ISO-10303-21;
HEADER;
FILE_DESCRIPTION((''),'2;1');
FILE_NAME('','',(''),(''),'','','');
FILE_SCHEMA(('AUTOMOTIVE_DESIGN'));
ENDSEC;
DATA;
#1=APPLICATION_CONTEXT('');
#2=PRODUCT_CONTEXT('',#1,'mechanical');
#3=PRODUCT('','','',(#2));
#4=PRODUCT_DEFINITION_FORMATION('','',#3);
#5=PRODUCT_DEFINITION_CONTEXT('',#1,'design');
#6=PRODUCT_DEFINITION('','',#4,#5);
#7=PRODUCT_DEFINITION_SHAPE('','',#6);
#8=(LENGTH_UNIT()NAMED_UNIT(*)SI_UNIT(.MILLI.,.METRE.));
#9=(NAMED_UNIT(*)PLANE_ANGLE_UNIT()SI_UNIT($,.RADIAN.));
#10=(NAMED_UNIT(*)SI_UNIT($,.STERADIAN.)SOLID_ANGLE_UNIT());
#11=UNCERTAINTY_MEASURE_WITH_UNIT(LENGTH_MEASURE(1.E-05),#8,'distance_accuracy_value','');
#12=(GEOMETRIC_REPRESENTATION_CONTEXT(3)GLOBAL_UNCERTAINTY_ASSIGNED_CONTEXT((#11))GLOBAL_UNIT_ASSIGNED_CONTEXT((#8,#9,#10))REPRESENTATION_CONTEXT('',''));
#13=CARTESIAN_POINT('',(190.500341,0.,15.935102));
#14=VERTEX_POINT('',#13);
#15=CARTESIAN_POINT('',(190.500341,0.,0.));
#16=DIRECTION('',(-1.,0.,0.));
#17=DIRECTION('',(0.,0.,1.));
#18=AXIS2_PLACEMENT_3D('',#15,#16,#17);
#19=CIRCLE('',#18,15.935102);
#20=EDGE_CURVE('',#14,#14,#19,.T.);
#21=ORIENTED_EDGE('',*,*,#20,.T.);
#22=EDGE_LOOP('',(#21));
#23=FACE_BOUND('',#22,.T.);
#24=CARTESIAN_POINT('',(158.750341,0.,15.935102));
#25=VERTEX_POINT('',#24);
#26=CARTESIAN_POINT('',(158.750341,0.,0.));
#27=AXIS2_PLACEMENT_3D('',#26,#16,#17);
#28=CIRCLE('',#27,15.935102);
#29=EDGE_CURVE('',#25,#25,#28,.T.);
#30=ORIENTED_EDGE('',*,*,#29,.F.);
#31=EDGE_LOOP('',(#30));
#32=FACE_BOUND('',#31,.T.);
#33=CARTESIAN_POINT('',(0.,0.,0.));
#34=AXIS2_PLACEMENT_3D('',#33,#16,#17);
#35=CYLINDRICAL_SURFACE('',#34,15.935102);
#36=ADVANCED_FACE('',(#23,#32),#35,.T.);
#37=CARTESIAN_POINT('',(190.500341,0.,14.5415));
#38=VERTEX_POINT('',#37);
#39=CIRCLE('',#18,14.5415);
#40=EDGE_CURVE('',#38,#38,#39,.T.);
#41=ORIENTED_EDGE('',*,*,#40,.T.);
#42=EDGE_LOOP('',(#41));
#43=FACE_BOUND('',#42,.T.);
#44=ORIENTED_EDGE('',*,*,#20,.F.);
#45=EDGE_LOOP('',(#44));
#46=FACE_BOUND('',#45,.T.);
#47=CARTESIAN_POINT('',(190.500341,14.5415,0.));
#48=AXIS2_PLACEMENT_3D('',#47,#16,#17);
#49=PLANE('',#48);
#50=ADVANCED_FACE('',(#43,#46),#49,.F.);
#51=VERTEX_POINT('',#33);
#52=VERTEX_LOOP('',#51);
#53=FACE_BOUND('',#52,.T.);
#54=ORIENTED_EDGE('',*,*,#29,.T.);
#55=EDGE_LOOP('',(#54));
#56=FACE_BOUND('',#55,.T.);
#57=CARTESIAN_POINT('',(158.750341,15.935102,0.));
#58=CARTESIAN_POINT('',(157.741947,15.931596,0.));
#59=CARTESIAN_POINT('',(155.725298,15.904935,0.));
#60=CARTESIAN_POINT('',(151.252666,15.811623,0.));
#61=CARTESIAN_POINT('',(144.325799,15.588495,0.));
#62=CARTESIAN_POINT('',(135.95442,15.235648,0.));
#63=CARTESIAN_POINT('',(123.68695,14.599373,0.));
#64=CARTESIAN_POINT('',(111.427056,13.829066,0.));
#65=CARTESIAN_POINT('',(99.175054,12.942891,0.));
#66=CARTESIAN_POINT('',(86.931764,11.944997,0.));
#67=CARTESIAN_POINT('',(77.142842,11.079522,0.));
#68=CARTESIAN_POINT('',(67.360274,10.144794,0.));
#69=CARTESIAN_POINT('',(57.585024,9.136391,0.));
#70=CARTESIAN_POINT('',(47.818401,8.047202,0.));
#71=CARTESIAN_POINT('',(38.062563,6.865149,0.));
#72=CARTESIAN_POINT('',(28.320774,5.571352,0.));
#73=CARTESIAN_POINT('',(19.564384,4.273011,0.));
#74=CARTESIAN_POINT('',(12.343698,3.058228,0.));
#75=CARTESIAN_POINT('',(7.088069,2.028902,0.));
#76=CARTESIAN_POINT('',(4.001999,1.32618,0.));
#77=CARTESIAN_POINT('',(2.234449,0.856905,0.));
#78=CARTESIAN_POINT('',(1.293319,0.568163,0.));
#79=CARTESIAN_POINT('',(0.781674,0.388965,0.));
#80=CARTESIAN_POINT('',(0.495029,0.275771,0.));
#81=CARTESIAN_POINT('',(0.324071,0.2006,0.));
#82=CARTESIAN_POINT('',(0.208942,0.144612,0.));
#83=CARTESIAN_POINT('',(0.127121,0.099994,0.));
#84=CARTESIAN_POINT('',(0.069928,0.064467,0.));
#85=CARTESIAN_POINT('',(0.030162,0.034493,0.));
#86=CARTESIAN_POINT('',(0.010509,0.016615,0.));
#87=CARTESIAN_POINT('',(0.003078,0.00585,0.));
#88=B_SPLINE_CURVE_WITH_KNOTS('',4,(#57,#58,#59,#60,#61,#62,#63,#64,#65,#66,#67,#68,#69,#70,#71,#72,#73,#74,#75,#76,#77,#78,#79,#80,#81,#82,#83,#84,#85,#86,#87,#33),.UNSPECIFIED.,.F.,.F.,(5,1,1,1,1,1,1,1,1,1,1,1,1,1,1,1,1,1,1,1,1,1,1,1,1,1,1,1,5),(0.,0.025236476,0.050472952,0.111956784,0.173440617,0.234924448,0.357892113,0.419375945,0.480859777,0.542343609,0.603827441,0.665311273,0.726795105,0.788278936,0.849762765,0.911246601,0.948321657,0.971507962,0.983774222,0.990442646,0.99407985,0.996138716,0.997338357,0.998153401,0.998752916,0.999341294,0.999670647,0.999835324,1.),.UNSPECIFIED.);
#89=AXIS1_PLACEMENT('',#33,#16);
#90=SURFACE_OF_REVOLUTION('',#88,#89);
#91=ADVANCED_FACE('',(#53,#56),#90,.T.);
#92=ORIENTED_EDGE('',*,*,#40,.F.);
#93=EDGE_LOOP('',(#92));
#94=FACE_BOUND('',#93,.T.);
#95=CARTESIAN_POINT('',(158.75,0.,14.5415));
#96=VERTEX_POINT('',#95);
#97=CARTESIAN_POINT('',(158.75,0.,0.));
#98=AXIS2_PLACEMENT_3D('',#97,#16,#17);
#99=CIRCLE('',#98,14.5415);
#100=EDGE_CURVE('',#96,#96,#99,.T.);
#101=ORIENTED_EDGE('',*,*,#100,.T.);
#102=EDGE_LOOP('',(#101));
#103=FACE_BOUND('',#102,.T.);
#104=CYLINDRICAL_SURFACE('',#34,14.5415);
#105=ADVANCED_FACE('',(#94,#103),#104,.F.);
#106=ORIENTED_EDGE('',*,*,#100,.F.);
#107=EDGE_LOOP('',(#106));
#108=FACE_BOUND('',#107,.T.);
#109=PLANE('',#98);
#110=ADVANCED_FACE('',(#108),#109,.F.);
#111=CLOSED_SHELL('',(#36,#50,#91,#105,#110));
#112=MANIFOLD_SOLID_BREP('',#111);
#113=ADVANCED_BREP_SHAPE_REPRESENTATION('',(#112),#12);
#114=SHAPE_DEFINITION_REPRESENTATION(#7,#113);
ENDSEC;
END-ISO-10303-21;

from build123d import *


with BuildPart() as part:
    # Sketch1 → Revolve1 (revolve)
    with BuildSketch(Plane.XY, mode=Mode.PRIVATE) as revolve1_sk:
        with BuildLine():
            Line((158.750341169, 15.935101536), (190.500341169, 15.935101536))
            Line((190.500341169, 15.935101536), (190.500341169, 14.5415))
            Line((190.500341169, 14.5415), (158.75, 14.5415))
            Line((158.75, 14.5415), (158.75, 0))
            Line((158.75, 0), (0, 0))
            add(Edge.make_bspline(
                [(0, 0), (0.003077638, 0.0058499), (0.010509317, 0.016614544), (0.030161895, 0.034492806), (0.069928146, 0.064467314), (0.127121394, 0.09999399), (0.208942402, 0.144612334), (0.324070964, 0.200600292), (0.495029028, 0.275770881), (0.78167404, 0.388965164), (1.293318915, 0.568162571), (2.234449389, 0.85690485), (4.001999256, 1.326179808), (7.08806891, 2.028902418), (12.343697768, 3.058227955), (19.564383665, 4.273011321), (28.320773868, 5.571352366), (38.062563292, 6.865149329), (47.818401435, 8.047201508), (57.585024008, 9.136391169), (67.360274295, 10.144793971), (77.142842464, 11.079522482), (86.931764105, 11.944996551), (99.175054354, 12.942890853), (111.427056111, 13.829066152), (123.686950328, 14.599373054), (135.95442027, 15.235648384), (144.325799069, 15.588495014), (151.25266617, 15.811623372), (155.725298406, 15.904935428), (157.741947303, 15.931595568), (158.750341169, 15.935101536)],
                knots=[0, 0, 0, 0, 0, 0.000164676, 0.000329353, 0.000658706, 0.001247084, 0.001846599, 0.002661643, 0.003861284, 0.00592015, 0.009557354, 0.016225778, 0.028492038, 0.051678343, 0.088753399, 0.150237235, 0.211721064, 0.273204895, 0.334688727, 0.396172559, 0.457656391, 0.519140223, 0.580624055, 0.642107887, 0.765075552, 0.826559383, 0.888043216, 0.949527048, 0.974763524, 1, 1, 1, 1, 1], degree=4))
        make_face()
    revolve(revolve1_sk.sketch.rotate(Axis((0, 0, 0), (1, 0, 0)), 90), axis=Axis((0, 0, 0), (1, 0, 0)))


solid = part.part
